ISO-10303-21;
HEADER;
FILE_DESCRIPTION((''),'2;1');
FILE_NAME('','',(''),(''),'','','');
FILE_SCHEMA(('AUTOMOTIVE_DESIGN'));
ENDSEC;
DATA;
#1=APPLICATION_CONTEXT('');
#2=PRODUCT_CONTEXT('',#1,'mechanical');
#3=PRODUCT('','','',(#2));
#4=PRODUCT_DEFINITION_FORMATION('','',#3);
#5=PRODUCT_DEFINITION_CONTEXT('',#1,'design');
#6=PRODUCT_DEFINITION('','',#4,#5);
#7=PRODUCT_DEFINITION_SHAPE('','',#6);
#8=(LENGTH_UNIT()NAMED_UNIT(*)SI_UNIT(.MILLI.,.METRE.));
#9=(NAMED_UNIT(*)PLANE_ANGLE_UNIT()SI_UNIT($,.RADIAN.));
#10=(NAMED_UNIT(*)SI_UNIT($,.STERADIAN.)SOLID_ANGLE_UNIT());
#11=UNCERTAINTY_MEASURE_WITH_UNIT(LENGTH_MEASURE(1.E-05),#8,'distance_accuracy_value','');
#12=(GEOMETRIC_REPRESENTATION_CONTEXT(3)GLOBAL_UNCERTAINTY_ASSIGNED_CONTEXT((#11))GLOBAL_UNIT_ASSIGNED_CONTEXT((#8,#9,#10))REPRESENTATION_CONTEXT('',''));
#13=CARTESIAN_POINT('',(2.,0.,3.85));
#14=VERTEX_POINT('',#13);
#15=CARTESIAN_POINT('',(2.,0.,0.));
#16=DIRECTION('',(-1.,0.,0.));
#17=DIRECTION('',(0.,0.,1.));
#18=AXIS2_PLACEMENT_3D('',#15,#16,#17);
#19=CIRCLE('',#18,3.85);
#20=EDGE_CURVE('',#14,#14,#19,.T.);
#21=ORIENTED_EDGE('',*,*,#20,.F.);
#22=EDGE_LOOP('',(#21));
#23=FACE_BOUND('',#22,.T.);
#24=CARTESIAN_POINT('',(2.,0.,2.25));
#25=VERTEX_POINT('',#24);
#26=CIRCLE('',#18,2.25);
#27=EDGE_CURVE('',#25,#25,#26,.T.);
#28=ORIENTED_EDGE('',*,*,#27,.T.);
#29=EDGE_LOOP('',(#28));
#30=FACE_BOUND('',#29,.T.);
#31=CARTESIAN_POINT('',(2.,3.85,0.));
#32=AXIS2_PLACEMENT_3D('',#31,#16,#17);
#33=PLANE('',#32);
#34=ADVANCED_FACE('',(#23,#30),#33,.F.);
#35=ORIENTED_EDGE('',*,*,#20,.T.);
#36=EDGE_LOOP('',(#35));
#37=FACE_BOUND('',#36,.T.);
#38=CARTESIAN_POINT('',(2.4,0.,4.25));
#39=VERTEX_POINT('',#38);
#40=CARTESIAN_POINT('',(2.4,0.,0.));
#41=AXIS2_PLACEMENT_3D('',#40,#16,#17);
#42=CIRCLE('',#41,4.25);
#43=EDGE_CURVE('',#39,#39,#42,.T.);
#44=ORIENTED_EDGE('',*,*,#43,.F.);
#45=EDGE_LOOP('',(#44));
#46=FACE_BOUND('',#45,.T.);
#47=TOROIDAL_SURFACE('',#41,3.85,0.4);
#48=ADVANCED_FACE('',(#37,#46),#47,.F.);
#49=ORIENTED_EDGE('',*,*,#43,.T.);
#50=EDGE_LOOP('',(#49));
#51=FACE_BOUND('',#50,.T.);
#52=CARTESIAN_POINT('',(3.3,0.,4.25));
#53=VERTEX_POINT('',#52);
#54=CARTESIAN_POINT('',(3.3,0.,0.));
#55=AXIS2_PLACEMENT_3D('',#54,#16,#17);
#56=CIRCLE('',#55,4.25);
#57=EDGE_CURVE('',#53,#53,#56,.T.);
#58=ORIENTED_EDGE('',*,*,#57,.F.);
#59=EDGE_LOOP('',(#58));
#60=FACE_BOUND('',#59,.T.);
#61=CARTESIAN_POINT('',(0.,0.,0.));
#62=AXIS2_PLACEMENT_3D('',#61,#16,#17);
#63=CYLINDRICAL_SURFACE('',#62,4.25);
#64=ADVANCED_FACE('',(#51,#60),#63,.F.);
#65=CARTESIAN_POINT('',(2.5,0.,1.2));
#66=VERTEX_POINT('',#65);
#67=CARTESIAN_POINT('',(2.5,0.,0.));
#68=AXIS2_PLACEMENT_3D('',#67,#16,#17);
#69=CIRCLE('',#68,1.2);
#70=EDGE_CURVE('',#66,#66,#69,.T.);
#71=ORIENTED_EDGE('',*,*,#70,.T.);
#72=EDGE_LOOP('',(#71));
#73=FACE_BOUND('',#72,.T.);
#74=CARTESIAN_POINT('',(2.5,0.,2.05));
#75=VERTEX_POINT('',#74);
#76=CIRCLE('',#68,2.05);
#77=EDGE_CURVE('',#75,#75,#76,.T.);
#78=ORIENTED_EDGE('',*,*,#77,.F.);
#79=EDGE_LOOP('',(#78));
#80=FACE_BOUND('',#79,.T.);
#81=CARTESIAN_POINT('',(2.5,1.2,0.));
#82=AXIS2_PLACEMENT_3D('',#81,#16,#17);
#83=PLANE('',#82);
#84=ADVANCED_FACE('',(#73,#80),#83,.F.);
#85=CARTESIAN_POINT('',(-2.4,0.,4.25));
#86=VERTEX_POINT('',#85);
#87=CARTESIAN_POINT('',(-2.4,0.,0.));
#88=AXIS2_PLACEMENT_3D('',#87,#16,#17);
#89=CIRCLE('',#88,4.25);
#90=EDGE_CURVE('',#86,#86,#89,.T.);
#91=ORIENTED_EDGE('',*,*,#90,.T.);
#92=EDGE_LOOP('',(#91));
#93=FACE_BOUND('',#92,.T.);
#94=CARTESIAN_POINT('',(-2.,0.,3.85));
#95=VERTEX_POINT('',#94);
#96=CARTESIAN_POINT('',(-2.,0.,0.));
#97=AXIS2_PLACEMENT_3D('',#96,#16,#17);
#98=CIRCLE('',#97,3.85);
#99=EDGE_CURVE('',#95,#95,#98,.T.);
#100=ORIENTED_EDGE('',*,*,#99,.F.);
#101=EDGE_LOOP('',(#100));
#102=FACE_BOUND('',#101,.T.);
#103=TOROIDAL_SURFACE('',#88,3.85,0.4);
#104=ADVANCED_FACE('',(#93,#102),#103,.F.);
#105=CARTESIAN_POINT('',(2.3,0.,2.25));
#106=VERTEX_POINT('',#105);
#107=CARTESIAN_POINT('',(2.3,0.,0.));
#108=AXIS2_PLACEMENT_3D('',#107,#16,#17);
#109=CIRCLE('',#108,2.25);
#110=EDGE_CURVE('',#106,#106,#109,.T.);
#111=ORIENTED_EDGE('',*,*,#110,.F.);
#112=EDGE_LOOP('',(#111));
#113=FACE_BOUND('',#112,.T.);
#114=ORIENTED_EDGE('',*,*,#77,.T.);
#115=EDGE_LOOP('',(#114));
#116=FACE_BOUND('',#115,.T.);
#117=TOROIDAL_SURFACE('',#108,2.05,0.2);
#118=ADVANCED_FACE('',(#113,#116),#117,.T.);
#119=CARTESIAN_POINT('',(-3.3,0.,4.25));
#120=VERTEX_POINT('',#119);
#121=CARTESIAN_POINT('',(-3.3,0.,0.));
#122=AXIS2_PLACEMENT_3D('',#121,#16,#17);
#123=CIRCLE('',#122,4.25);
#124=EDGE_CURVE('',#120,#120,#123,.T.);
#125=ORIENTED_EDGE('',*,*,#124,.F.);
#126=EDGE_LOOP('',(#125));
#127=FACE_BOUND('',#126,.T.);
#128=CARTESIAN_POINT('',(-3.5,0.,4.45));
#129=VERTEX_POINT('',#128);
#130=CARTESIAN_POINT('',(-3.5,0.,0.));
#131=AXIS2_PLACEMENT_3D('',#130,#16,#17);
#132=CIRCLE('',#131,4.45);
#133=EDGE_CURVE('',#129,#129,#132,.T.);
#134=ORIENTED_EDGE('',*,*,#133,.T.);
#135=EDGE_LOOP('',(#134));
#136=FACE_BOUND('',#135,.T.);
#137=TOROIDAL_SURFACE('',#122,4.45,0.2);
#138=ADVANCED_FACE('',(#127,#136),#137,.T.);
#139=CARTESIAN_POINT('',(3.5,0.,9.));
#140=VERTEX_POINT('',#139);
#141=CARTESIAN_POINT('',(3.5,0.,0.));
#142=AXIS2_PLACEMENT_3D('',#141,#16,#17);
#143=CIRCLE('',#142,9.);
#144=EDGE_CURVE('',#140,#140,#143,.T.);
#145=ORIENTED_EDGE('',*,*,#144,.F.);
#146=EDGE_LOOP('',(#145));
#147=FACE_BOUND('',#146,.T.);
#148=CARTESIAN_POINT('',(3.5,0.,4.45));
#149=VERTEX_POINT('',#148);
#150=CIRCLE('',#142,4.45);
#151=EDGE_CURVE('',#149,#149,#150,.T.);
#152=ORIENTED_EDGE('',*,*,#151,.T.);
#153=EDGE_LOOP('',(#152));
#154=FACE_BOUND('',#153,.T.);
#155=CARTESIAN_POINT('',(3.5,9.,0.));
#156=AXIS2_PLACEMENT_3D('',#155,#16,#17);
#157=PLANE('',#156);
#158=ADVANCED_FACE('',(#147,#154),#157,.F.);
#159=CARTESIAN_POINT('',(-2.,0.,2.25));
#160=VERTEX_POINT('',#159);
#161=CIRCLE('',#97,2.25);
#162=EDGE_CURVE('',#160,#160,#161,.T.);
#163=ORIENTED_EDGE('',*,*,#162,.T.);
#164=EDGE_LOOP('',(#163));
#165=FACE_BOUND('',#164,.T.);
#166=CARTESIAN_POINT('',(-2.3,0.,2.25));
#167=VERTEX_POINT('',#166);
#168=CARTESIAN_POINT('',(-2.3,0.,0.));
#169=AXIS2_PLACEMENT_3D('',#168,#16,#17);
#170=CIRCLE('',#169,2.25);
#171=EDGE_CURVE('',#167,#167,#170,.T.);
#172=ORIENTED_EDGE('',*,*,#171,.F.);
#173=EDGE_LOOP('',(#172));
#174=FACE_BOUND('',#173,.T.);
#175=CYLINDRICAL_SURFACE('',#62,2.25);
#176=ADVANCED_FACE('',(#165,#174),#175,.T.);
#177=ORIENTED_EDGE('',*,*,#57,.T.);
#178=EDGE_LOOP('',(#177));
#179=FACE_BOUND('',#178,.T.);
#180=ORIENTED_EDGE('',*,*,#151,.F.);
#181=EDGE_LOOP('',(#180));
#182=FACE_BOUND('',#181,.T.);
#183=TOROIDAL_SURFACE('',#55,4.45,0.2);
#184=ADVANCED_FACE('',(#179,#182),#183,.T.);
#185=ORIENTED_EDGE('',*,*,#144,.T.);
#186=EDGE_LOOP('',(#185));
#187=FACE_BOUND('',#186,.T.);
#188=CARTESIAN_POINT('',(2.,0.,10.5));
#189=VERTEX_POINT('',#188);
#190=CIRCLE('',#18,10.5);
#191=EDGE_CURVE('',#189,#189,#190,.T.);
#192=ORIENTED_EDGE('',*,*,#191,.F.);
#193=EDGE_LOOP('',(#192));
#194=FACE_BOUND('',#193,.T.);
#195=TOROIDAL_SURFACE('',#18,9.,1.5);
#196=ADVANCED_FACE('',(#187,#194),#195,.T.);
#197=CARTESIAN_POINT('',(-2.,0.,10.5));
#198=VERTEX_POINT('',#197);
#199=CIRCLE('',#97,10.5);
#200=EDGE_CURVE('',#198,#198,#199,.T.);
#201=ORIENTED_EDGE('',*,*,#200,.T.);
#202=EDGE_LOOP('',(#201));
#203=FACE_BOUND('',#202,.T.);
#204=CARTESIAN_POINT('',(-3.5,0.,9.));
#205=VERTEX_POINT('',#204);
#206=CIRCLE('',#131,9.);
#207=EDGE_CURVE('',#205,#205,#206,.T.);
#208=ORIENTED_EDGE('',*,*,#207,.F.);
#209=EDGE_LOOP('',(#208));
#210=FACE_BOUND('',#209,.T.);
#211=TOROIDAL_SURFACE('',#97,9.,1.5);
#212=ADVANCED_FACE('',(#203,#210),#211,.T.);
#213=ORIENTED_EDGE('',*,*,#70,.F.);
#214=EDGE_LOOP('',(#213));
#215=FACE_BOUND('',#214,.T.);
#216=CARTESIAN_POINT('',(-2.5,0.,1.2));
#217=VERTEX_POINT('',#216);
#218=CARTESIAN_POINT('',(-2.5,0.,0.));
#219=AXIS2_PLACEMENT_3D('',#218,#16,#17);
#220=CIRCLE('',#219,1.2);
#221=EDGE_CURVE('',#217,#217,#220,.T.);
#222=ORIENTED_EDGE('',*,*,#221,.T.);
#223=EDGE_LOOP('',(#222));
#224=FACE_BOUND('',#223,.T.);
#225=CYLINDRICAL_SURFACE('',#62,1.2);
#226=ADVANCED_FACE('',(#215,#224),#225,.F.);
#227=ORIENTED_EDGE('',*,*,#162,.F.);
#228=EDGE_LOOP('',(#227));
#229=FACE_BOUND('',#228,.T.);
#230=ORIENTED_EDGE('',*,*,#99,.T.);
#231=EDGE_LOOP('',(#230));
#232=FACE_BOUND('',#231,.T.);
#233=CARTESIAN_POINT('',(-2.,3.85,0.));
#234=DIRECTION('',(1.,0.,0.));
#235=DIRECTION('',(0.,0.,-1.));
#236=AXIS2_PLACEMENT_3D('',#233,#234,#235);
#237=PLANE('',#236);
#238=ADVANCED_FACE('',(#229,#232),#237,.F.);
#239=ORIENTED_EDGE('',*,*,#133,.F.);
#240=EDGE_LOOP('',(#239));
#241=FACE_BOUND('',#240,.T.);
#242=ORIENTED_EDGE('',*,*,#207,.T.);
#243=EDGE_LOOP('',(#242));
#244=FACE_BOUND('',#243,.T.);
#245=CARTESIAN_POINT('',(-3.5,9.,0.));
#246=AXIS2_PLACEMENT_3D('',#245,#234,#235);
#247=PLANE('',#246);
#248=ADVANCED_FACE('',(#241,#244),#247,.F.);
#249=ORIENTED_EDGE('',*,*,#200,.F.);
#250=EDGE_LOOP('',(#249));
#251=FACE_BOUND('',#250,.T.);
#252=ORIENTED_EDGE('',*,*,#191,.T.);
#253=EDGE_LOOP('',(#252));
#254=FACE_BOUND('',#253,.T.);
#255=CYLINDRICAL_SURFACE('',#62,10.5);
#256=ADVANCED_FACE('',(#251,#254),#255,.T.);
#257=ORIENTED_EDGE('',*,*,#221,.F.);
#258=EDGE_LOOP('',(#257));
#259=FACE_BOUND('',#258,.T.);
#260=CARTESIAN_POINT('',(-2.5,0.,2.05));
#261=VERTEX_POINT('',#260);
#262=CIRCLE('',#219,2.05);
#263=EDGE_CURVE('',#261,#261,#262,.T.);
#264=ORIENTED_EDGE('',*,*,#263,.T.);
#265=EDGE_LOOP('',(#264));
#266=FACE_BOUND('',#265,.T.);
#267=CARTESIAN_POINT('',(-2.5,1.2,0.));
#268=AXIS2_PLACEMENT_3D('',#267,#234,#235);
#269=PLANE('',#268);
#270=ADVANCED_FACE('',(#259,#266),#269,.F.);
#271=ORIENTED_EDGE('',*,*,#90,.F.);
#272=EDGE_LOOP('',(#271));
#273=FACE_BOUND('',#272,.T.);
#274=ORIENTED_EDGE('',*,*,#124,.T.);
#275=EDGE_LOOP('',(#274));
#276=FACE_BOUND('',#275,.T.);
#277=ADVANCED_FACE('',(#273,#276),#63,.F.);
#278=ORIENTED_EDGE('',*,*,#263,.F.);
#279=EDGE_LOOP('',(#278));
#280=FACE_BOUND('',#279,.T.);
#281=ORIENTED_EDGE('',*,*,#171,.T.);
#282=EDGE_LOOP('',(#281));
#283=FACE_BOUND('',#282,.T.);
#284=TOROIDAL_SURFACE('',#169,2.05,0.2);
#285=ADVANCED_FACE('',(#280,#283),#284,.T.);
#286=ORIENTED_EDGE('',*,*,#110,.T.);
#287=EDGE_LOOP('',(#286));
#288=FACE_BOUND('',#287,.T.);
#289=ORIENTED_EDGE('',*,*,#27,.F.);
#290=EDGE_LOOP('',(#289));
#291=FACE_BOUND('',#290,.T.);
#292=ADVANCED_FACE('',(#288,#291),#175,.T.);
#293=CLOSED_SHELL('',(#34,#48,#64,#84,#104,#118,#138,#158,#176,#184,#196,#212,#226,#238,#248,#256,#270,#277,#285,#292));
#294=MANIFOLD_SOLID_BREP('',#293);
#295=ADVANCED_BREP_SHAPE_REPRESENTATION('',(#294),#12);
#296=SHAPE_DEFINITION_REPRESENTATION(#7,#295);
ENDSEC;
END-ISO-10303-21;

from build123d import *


with BuildPart() as part:
    # Esboço6 → Revolução2 (revolve)
    with BuildSketch(Plane.XY, mode=Mode.PRIVATE) as revolu_o2_sk:
        with BuildLine():
            Line((2.5, 1.2), (2.5, 2.05))
            ThreePointArc((2.5, 2.05), (2.441421356, 2.191421356), (2.3, 2.25))
            Line((2.3, 2.25), (2, 2.25))
            Line((2, 2.25), (2, 3.85))
            ThreePointArc((2, 3.85), (2.117157288, 4.132842712), (2.4, 4.25))
            Line((2.4, 4.25), (3.3, 4.25))
            ThreePointArc((3.3, 4.25), (3.441421356, 4.308578644), (3.5, 4.45))
            Line((3.5, 4.45), (3.5, 9))
            ThreePointArc((3.5, 9), (3.060660172, 10.060660172), (2, 10.5))
            Line((2, 10.5), (-2, 10.5))
            ThreePointArc((-2, 10.5), (-3.060660172, 10.060660172), (-3.5, 9))
            Line((-3.5, 9), (-3.5, 4.45))
            ThreePointArc((-3.5, 4.45), (-3.441421356, 4.308578644), (-3.3, 4.25))
            Line((-3.3, 4.25), (-2.4, 4.25))
            ThreePointArc((-2.4, 4.25), (-2.117157288, 4.132842712), (-2, 3.85))
            Line((-2, 3.85), (-2, 2.25))
            Line((-2, 2.25), (-2.3, 2.25))
            ThreePointArc((-2.3, 2.25), (-2.441421356, 2.191421356), (-2.5, 2.05))
            Line((-2.5, 2.05), (-2.5, 1.2))
            Line((-2.5, 1.2), (2.5, 1.2))
        make_face()
    revolve(revolu_o2_sk.sketch.rotate(Axis((0, 0, 0), (1, 0, 0)), 90), axis=Axis((0, 0, 0), (1, 0, 0)))


solid = part.part
